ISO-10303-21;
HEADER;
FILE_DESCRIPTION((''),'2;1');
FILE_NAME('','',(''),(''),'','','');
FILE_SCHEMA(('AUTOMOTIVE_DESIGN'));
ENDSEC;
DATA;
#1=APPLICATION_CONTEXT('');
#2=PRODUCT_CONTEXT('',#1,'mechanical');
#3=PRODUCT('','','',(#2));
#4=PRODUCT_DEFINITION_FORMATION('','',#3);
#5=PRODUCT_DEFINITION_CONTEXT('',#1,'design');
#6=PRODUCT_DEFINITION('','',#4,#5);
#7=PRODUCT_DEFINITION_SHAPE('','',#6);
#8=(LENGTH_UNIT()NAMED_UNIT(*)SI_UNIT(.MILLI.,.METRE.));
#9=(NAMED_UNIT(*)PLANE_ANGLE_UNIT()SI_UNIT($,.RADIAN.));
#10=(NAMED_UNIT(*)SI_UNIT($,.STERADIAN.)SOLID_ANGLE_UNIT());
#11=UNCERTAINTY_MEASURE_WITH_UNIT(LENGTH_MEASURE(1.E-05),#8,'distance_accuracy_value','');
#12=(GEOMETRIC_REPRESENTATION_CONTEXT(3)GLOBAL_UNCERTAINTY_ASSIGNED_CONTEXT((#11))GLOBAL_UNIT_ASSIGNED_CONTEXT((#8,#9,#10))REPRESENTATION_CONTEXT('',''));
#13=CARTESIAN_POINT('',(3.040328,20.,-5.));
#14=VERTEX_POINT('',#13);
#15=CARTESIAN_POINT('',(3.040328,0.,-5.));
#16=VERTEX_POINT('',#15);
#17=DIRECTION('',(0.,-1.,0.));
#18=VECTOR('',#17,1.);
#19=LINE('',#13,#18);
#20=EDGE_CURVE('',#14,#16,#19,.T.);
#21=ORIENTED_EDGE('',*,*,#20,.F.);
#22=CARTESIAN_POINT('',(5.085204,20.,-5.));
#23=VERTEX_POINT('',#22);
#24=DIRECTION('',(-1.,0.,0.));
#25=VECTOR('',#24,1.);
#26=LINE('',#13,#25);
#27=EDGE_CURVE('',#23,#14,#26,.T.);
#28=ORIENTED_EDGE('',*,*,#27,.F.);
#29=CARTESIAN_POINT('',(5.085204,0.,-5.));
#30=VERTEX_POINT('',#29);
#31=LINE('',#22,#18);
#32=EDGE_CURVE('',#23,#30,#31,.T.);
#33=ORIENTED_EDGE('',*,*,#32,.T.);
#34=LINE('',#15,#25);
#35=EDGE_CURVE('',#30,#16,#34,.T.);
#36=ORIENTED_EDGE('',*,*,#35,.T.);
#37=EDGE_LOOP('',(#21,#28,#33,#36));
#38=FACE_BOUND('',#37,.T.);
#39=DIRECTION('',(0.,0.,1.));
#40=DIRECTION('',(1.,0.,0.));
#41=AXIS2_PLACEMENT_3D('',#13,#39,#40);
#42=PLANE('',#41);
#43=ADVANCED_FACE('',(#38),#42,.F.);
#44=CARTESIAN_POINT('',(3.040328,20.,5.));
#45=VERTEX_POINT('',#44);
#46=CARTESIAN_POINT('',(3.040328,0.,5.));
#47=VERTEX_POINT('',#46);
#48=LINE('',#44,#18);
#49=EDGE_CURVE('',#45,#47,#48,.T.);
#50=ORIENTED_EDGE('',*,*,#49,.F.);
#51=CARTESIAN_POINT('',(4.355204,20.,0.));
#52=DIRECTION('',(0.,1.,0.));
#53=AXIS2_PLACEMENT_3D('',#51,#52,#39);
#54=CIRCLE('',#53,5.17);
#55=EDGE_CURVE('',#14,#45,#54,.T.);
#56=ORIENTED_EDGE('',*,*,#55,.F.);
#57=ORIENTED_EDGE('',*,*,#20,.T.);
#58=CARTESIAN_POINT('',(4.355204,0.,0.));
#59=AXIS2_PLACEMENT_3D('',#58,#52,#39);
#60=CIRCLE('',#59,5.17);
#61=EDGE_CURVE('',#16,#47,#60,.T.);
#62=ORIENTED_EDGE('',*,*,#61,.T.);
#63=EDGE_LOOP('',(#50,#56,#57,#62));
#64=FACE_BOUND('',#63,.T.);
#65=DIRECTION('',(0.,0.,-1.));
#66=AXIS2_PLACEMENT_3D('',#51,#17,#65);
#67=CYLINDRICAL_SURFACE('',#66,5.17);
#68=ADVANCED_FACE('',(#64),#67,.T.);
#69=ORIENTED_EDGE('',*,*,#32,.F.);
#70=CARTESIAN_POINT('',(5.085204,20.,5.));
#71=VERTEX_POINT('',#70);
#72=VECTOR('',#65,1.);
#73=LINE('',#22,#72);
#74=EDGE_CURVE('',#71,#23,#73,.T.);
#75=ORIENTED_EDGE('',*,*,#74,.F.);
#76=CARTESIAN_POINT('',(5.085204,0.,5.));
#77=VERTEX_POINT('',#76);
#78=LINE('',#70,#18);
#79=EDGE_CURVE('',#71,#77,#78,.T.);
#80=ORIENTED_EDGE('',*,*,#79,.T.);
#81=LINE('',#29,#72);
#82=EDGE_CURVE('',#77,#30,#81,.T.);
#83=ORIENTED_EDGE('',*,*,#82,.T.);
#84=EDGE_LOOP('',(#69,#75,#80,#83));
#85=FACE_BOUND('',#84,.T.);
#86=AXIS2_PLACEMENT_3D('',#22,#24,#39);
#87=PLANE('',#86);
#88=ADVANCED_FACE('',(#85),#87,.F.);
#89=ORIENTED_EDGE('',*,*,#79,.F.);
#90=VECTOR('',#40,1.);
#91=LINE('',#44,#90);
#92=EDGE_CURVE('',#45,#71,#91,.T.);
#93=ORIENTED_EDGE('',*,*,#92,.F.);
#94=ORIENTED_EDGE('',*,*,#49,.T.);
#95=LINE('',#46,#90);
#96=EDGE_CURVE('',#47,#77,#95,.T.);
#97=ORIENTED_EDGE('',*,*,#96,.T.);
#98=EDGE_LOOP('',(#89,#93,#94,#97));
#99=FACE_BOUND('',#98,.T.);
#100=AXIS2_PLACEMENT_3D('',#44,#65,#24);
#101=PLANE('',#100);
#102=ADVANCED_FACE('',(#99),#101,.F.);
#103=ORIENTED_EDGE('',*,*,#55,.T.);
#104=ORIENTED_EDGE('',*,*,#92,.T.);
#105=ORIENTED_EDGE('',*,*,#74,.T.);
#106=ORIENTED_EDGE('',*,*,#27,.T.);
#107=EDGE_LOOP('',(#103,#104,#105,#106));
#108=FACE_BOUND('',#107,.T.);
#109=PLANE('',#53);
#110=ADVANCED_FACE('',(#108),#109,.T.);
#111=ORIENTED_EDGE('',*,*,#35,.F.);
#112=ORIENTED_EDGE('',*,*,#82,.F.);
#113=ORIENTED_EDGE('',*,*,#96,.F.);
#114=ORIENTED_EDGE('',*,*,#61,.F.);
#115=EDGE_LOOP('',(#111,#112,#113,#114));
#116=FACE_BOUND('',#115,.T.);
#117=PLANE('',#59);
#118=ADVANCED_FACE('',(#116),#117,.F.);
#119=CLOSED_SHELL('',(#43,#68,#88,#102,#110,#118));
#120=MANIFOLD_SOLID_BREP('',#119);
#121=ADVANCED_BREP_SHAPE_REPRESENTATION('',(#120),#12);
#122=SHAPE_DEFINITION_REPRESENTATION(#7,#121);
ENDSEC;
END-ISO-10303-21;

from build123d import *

# Parameters (mm, degrees)
EXTRUDE_1_DEPTH = 20


with BuildPart() as part:
    # 草图1 → 凸台-拉伸1 (new body)
    with BuildSketch(Plane(origin=(0, 0, 0), x_dir=(1, 0, 0), z_dir=(0, 1, 0))):
        with BuildLine():
            Line((3.040327915, 5), (5.085204335, 5))
            Line((5.085204335, 5), (5.085204335, -5))
            Line((5.085204335, -5), (3.040327915, -5))
            ThreePointArc((3.040327915, -5), (-0.814795665, 0), (3.040327915, 5))
        make_face()
    extrude(amount=EXTRUDE_1_DEPTH)


solid = part.part
